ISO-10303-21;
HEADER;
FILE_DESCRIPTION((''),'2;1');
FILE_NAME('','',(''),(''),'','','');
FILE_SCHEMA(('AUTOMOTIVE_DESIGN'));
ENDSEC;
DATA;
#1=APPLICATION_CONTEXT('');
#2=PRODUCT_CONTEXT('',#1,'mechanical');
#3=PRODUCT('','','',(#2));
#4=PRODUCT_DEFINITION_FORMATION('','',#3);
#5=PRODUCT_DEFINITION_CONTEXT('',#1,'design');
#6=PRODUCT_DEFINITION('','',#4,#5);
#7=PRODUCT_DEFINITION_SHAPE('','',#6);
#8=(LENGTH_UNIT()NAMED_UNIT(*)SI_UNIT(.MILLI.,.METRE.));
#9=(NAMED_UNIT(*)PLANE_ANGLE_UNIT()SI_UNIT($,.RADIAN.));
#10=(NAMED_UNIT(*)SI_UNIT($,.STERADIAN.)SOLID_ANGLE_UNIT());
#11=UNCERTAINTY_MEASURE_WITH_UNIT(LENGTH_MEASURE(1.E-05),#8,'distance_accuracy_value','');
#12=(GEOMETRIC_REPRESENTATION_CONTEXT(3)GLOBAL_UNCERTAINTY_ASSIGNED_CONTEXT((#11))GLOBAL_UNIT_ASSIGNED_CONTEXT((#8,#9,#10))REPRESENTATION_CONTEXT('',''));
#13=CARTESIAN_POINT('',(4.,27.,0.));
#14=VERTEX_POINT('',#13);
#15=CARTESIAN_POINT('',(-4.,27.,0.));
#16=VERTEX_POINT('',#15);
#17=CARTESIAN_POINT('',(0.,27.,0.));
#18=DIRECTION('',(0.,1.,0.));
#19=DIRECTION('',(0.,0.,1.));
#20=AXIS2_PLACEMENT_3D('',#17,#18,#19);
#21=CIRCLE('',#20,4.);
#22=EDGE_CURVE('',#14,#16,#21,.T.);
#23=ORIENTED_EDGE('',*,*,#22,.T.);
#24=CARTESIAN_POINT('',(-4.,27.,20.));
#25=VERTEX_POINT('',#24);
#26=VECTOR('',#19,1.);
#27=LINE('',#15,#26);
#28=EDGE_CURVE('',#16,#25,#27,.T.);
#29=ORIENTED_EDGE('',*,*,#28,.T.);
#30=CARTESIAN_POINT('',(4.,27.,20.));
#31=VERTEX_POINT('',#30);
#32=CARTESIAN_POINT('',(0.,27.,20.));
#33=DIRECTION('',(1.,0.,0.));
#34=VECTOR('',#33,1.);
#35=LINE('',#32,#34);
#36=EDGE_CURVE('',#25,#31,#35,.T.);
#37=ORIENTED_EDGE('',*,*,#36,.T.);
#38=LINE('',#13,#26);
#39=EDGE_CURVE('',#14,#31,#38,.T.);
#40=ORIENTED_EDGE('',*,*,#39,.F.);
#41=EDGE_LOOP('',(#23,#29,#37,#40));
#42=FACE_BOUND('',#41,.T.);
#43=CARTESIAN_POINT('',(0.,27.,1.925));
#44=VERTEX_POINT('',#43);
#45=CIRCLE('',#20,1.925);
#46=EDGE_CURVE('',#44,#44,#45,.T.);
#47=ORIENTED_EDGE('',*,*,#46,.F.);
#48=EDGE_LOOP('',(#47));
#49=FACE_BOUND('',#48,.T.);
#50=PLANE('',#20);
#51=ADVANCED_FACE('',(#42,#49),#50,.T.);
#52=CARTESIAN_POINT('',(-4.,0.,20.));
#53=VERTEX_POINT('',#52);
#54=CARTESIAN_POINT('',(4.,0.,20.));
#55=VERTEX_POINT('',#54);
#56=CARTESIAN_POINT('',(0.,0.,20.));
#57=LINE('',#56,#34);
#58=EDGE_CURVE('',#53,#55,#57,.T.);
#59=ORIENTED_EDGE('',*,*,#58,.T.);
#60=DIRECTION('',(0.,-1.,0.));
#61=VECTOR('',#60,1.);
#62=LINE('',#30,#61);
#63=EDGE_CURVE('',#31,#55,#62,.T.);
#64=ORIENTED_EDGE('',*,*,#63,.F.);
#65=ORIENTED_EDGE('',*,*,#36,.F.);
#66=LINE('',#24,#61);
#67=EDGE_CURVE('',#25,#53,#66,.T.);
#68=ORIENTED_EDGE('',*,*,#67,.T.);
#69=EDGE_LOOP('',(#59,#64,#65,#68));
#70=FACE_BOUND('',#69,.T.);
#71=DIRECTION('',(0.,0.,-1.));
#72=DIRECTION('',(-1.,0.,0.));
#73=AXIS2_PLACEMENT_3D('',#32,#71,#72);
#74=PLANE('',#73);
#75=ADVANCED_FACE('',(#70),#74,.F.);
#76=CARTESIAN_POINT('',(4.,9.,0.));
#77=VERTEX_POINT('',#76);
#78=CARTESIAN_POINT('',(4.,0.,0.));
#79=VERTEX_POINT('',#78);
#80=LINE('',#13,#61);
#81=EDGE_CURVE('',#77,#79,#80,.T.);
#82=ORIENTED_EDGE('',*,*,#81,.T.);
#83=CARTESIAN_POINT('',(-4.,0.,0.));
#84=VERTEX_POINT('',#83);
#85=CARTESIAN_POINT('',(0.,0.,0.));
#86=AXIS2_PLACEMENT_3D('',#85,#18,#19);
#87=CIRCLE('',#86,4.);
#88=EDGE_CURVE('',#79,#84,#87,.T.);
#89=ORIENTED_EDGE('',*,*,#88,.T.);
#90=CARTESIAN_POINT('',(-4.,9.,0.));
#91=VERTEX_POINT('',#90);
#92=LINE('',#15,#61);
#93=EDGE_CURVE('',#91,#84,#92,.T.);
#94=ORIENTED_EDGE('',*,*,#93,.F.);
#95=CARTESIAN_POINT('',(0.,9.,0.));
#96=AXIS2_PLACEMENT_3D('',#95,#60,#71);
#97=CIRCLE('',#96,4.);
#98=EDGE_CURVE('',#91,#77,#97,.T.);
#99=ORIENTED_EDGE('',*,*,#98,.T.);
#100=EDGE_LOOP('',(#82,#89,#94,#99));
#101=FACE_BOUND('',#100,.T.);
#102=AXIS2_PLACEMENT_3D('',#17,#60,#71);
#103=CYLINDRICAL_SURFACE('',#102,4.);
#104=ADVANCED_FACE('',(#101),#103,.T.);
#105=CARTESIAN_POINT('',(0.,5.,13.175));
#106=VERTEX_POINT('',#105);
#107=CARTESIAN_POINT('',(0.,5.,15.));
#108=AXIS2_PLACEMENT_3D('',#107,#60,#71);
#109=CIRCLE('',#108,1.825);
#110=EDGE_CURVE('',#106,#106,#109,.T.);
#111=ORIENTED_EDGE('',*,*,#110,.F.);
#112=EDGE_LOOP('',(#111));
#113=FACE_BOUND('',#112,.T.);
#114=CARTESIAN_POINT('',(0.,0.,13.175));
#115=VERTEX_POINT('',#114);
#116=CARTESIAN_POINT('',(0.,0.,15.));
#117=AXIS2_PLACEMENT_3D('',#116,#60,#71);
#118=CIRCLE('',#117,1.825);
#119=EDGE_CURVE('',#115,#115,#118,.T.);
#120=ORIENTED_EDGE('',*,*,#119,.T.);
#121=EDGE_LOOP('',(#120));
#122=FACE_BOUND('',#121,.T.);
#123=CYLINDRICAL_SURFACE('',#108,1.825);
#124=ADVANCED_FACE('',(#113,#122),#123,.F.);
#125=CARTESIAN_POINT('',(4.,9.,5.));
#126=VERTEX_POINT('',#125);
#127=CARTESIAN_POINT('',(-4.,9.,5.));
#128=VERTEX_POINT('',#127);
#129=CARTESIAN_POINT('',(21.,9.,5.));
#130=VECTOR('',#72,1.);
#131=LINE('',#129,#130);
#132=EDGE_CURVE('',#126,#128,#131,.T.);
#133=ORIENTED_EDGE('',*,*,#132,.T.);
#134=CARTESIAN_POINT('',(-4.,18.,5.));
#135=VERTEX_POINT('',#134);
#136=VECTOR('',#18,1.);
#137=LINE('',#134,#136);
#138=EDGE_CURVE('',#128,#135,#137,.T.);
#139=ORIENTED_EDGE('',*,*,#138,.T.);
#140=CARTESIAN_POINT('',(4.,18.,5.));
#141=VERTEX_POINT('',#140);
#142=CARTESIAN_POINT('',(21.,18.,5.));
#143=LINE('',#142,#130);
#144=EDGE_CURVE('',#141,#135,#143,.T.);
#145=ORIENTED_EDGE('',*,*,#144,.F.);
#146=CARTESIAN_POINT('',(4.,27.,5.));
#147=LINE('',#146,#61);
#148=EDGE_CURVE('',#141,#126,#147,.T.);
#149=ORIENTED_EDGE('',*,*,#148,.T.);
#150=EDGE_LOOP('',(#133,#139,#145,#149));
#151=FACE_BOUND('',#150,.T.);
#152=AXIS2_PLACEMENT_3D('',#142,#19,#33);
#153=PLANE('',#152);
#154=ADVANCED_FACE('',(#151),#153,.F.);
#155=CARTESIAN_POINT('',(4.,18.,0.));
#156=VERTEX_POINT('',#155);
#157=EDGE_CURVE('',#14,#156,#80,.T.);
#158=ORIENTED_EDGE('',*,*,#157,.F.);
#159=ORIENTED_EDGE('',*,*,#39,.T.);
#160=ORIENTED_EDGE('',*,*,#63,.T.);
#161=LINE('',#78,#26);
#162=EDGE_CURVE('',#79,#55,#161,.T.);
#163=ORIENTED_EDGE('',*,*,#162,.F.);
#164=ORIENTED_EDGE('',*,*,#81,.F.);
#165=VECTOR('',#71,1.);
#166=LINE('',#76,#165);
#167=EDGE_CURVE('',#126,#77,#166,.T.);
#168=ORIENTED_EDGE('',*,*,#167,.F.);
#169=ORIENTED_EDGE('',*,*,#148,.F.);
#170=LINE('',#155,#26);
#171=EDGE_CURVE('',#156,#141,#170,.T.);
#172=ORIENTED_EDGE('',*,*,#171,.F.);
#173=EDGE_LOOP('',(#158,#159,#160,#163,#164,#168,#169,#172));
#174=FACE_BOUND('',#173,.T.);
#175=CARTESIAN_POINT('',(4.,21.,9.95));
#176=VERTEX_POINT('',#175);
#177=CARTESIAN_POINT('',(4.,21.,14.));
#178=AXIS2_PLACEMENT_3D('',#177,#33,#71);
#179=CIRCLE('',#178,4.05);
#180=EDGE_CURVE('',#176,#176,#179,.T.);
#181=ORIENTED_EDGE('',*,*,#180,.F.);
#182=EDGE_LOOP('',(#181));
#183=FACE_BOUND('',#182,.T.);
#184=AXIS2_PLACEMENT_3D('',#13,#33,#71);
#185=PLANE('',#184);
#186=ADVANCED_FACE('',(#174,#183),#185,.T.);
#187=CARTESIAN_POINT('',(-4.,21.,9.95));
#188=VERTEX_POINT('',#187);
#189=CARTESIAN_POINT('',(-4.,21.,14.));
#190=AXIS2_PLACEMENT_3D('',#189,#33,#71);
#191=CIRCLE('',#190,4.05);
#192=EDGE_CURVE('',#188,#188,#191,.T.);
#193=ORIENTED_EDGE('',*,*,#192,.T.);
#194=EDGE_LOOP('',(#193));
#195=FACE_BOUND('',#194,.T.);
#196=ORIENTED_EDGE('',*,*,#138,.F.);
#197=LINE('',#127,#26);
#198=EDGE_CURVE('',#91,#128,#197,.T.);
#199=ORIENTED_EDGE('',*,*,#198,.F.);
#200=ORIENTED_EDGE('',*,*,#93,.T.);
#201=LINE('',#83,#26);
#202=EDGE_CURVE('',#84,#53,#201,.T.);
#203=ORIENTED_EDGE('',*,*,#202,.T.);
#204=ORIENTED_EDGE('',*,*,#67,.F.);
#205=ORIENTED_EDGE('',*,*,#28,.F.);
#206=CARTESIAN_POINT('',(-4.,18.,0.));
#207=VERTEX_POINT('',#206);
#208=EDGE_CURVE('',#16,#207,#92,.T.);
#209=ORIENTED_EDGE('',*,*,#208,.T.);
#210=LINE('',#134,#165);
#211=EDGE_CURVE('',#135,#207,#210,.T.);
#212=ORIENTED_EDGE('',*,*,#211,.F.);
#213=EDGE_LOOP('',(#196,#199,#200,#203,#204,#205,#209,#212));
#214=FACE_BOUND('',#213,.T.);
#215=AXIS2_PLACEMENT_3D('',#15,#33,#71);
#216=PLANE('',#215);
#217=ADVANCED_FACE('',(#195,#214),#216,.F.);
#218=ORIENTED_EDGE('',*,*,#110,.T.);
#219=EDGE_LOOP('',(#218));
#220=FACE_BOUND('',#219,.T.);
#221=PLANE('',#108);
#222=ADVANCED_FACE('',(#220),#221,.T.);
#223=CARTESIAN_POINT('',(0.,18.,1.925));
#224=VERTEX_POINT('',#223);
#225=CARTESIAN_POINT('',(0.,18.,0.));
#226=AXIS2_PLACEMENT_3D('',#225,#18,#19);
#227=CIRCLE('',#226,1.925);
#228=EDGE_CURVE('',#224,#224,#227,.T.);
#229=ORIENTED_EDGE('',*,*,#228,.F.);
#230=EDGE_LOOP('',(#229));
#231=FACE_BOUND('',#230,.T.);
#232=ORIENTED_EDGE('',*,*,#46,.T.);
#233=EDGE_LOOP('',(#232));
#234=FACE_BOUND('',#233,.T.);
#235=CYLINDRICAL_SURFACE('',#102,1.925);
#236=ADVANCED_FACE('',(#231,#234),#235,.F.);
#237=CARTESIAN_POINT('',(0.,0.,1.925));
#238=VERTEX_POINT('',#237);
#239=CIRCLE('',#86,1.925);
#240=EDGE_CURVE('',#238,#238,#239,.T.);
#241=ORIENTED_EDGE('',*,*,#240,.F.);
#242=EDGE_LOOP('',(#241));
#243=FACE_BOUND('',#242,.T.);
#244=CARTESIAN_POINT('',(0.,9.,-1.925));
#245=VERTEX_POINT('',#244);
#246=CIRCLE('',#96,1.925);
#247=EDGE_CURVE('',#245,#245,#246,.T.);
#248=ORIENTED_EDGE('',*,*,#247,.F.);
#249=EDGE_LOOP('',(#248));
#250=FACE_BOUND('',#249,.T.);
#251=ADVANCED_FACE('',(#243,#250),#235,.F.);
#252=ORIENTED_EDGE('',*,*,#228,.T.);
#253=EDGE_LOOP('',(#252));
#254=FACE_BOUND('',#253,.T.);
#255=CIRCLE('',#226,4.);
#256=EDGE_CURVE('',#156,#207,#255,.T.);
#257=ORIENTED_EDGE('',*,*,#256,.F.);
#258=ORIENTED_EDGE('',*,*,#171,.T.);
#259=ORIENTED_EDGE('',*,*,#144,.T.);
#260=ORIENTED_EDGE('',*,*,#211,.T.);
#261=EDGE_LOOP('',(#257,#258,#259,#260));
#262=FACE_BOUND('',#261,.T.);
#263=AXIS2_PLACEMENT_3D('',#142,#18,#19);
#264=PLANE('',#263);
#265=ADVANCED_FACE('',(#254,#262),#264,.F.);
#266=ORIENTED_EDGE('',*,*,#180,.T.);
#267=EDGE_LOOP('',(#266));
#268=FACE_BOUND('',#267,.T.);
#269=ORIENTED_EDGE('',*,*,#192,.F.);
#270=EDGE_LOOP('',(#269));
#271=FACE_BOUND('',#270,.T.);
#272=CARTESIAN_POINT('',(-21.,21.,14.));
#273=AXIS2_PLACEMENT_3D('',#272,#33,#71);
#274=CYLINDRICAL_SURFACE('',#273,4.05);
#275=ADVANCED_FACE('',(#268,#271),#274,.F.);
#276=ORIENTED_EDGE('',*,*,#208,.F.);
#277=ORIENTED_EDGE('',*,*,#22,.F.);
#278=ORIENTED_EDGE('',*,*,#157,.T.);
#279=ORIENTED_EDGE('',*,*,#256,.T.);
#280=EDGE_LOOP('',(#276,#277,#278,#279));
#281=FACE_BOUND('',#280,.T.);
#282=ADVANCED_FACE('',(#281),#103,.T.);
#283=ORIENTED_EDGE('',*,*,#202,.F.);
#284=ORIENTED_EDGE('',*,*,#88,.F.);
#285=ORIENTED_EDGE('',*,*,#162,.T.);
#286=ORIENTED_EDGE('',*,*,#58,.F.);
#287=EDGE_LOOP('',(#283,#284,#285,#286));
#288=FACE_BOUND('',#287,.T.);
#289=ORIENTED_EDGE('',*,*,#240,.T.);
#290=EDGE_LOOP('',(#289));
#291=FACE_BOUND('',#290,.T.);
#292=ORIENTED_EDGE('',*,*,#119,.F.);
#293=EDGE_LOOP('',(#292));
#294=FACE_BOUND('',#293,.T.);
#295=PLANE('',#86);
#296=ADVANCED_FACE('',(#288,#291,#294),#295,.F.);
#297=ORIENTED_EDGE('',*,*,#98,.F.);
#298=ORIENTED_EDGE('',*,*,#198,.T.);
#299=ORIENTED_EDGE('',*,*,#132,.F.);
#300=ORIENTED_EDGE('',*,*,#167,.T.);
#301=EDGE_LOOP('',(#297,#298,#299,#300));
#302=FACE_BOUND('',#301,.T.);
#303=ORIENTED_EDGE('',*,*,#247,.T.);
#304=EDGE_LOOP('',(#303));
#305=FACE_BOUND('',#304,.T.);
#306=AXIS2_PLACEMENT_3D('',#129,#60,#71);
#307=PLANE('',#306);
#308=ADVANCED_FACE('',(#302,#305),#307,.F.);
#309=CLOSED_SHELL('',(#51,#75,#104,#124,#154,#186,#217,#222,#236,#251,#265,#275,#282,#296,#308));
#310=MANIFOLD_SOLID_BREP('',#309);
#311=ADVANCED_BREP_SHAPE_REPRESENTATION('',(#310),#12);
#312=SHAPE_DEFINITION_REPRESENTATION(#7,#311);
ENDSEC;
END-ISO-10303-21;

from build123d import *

# Parameters (mm, degrees)
SKETCH2_R           = 4
SKETCH2_R_2         = 1.925
BOSS_EXTRUDE1_DEPTH = 27
SKETCH3_R           = 4.05
CUT_EXTRUDE1_DEPTH  = 25
SKETCH5_W           = 9
SKETCH5_H           = 9
CUT_EXTRUDE2_DEPTH  = 25
SKETCH6_R           = 1.825
CUT_EXTRUDE3_DEPTH  = 5


with BuildPart() as part:
    # Sketch2 → Boss-Extrude1 (new body)
    # profile 1 of 2: a face of its own
    with BuildSketch(Plane(origin=(0, 0, 0), x_dir=(1, 0, 0), z_dir=(0, 1, 0))):
        Circle(SKETCH2_R)
        with Locations(Location((0, 0, 0), (0, 0, 270))):
            Circle(SKETCH2_R_2, mode=Mode.SUBTRACT)
    # profile 2 of 2: a face of its own
    with BuildSketch(Plane(origin=(0, 0, 0), x_dir=(1, 0, 0), z_dir=(0, 1, 0))):
        with BuildLine():
            ThreePointArc((4, 0), (0, -4), (-4, 0))
            Line((-4, 0), (-4, -20))
            Line((-4, -20), (4, -20))
            Line((4, -20), (4, 0))
        make_face()
    extrude(amount=BOSS_EXTRUDE1_DEPTH)

    # Sketch3 → Cut-Extrude1 (cut)
    with BuildSketch(Plane(origin=(4, 0, 0), x_dir=(0, 0, -1), z_dir=(1, 0, 0))):
        with Locations((-14, 21)):
            Circle(SKETCH3_R)
    extrude(amount=-CUT_EXTRUDE1_DEPTH, mode=Mode.SUBTRACT)

    # Sketch5 → Cut-Extrude2 (cut)
    with BuildSketch(Plane.ZY.offset(4)):
        with Locations((0.5, 13.5)):
            Rectangle(SKETCH5_W, SKETCH5_H)
    extrude(amount=-CUT_EXTRUDE2_DEPTH, mode=Mode.SUBTRACT)

    # Sketch6 → Cut-Extrude3 (cut)
    with BuildSketch(Plane(origin=(0, 0, 0), x_dir=(-1, 0, 0), z_dir=(0, -1, 0))):
        with Locations(Location((0, -15, 0), (0, 0, 90))):
            Circle(SKETCH6_R)
    extrude(amount=-CUT_EXTRUDE3_DEPTH, mode=Mode.SUBTRACT)


solid = part.part
